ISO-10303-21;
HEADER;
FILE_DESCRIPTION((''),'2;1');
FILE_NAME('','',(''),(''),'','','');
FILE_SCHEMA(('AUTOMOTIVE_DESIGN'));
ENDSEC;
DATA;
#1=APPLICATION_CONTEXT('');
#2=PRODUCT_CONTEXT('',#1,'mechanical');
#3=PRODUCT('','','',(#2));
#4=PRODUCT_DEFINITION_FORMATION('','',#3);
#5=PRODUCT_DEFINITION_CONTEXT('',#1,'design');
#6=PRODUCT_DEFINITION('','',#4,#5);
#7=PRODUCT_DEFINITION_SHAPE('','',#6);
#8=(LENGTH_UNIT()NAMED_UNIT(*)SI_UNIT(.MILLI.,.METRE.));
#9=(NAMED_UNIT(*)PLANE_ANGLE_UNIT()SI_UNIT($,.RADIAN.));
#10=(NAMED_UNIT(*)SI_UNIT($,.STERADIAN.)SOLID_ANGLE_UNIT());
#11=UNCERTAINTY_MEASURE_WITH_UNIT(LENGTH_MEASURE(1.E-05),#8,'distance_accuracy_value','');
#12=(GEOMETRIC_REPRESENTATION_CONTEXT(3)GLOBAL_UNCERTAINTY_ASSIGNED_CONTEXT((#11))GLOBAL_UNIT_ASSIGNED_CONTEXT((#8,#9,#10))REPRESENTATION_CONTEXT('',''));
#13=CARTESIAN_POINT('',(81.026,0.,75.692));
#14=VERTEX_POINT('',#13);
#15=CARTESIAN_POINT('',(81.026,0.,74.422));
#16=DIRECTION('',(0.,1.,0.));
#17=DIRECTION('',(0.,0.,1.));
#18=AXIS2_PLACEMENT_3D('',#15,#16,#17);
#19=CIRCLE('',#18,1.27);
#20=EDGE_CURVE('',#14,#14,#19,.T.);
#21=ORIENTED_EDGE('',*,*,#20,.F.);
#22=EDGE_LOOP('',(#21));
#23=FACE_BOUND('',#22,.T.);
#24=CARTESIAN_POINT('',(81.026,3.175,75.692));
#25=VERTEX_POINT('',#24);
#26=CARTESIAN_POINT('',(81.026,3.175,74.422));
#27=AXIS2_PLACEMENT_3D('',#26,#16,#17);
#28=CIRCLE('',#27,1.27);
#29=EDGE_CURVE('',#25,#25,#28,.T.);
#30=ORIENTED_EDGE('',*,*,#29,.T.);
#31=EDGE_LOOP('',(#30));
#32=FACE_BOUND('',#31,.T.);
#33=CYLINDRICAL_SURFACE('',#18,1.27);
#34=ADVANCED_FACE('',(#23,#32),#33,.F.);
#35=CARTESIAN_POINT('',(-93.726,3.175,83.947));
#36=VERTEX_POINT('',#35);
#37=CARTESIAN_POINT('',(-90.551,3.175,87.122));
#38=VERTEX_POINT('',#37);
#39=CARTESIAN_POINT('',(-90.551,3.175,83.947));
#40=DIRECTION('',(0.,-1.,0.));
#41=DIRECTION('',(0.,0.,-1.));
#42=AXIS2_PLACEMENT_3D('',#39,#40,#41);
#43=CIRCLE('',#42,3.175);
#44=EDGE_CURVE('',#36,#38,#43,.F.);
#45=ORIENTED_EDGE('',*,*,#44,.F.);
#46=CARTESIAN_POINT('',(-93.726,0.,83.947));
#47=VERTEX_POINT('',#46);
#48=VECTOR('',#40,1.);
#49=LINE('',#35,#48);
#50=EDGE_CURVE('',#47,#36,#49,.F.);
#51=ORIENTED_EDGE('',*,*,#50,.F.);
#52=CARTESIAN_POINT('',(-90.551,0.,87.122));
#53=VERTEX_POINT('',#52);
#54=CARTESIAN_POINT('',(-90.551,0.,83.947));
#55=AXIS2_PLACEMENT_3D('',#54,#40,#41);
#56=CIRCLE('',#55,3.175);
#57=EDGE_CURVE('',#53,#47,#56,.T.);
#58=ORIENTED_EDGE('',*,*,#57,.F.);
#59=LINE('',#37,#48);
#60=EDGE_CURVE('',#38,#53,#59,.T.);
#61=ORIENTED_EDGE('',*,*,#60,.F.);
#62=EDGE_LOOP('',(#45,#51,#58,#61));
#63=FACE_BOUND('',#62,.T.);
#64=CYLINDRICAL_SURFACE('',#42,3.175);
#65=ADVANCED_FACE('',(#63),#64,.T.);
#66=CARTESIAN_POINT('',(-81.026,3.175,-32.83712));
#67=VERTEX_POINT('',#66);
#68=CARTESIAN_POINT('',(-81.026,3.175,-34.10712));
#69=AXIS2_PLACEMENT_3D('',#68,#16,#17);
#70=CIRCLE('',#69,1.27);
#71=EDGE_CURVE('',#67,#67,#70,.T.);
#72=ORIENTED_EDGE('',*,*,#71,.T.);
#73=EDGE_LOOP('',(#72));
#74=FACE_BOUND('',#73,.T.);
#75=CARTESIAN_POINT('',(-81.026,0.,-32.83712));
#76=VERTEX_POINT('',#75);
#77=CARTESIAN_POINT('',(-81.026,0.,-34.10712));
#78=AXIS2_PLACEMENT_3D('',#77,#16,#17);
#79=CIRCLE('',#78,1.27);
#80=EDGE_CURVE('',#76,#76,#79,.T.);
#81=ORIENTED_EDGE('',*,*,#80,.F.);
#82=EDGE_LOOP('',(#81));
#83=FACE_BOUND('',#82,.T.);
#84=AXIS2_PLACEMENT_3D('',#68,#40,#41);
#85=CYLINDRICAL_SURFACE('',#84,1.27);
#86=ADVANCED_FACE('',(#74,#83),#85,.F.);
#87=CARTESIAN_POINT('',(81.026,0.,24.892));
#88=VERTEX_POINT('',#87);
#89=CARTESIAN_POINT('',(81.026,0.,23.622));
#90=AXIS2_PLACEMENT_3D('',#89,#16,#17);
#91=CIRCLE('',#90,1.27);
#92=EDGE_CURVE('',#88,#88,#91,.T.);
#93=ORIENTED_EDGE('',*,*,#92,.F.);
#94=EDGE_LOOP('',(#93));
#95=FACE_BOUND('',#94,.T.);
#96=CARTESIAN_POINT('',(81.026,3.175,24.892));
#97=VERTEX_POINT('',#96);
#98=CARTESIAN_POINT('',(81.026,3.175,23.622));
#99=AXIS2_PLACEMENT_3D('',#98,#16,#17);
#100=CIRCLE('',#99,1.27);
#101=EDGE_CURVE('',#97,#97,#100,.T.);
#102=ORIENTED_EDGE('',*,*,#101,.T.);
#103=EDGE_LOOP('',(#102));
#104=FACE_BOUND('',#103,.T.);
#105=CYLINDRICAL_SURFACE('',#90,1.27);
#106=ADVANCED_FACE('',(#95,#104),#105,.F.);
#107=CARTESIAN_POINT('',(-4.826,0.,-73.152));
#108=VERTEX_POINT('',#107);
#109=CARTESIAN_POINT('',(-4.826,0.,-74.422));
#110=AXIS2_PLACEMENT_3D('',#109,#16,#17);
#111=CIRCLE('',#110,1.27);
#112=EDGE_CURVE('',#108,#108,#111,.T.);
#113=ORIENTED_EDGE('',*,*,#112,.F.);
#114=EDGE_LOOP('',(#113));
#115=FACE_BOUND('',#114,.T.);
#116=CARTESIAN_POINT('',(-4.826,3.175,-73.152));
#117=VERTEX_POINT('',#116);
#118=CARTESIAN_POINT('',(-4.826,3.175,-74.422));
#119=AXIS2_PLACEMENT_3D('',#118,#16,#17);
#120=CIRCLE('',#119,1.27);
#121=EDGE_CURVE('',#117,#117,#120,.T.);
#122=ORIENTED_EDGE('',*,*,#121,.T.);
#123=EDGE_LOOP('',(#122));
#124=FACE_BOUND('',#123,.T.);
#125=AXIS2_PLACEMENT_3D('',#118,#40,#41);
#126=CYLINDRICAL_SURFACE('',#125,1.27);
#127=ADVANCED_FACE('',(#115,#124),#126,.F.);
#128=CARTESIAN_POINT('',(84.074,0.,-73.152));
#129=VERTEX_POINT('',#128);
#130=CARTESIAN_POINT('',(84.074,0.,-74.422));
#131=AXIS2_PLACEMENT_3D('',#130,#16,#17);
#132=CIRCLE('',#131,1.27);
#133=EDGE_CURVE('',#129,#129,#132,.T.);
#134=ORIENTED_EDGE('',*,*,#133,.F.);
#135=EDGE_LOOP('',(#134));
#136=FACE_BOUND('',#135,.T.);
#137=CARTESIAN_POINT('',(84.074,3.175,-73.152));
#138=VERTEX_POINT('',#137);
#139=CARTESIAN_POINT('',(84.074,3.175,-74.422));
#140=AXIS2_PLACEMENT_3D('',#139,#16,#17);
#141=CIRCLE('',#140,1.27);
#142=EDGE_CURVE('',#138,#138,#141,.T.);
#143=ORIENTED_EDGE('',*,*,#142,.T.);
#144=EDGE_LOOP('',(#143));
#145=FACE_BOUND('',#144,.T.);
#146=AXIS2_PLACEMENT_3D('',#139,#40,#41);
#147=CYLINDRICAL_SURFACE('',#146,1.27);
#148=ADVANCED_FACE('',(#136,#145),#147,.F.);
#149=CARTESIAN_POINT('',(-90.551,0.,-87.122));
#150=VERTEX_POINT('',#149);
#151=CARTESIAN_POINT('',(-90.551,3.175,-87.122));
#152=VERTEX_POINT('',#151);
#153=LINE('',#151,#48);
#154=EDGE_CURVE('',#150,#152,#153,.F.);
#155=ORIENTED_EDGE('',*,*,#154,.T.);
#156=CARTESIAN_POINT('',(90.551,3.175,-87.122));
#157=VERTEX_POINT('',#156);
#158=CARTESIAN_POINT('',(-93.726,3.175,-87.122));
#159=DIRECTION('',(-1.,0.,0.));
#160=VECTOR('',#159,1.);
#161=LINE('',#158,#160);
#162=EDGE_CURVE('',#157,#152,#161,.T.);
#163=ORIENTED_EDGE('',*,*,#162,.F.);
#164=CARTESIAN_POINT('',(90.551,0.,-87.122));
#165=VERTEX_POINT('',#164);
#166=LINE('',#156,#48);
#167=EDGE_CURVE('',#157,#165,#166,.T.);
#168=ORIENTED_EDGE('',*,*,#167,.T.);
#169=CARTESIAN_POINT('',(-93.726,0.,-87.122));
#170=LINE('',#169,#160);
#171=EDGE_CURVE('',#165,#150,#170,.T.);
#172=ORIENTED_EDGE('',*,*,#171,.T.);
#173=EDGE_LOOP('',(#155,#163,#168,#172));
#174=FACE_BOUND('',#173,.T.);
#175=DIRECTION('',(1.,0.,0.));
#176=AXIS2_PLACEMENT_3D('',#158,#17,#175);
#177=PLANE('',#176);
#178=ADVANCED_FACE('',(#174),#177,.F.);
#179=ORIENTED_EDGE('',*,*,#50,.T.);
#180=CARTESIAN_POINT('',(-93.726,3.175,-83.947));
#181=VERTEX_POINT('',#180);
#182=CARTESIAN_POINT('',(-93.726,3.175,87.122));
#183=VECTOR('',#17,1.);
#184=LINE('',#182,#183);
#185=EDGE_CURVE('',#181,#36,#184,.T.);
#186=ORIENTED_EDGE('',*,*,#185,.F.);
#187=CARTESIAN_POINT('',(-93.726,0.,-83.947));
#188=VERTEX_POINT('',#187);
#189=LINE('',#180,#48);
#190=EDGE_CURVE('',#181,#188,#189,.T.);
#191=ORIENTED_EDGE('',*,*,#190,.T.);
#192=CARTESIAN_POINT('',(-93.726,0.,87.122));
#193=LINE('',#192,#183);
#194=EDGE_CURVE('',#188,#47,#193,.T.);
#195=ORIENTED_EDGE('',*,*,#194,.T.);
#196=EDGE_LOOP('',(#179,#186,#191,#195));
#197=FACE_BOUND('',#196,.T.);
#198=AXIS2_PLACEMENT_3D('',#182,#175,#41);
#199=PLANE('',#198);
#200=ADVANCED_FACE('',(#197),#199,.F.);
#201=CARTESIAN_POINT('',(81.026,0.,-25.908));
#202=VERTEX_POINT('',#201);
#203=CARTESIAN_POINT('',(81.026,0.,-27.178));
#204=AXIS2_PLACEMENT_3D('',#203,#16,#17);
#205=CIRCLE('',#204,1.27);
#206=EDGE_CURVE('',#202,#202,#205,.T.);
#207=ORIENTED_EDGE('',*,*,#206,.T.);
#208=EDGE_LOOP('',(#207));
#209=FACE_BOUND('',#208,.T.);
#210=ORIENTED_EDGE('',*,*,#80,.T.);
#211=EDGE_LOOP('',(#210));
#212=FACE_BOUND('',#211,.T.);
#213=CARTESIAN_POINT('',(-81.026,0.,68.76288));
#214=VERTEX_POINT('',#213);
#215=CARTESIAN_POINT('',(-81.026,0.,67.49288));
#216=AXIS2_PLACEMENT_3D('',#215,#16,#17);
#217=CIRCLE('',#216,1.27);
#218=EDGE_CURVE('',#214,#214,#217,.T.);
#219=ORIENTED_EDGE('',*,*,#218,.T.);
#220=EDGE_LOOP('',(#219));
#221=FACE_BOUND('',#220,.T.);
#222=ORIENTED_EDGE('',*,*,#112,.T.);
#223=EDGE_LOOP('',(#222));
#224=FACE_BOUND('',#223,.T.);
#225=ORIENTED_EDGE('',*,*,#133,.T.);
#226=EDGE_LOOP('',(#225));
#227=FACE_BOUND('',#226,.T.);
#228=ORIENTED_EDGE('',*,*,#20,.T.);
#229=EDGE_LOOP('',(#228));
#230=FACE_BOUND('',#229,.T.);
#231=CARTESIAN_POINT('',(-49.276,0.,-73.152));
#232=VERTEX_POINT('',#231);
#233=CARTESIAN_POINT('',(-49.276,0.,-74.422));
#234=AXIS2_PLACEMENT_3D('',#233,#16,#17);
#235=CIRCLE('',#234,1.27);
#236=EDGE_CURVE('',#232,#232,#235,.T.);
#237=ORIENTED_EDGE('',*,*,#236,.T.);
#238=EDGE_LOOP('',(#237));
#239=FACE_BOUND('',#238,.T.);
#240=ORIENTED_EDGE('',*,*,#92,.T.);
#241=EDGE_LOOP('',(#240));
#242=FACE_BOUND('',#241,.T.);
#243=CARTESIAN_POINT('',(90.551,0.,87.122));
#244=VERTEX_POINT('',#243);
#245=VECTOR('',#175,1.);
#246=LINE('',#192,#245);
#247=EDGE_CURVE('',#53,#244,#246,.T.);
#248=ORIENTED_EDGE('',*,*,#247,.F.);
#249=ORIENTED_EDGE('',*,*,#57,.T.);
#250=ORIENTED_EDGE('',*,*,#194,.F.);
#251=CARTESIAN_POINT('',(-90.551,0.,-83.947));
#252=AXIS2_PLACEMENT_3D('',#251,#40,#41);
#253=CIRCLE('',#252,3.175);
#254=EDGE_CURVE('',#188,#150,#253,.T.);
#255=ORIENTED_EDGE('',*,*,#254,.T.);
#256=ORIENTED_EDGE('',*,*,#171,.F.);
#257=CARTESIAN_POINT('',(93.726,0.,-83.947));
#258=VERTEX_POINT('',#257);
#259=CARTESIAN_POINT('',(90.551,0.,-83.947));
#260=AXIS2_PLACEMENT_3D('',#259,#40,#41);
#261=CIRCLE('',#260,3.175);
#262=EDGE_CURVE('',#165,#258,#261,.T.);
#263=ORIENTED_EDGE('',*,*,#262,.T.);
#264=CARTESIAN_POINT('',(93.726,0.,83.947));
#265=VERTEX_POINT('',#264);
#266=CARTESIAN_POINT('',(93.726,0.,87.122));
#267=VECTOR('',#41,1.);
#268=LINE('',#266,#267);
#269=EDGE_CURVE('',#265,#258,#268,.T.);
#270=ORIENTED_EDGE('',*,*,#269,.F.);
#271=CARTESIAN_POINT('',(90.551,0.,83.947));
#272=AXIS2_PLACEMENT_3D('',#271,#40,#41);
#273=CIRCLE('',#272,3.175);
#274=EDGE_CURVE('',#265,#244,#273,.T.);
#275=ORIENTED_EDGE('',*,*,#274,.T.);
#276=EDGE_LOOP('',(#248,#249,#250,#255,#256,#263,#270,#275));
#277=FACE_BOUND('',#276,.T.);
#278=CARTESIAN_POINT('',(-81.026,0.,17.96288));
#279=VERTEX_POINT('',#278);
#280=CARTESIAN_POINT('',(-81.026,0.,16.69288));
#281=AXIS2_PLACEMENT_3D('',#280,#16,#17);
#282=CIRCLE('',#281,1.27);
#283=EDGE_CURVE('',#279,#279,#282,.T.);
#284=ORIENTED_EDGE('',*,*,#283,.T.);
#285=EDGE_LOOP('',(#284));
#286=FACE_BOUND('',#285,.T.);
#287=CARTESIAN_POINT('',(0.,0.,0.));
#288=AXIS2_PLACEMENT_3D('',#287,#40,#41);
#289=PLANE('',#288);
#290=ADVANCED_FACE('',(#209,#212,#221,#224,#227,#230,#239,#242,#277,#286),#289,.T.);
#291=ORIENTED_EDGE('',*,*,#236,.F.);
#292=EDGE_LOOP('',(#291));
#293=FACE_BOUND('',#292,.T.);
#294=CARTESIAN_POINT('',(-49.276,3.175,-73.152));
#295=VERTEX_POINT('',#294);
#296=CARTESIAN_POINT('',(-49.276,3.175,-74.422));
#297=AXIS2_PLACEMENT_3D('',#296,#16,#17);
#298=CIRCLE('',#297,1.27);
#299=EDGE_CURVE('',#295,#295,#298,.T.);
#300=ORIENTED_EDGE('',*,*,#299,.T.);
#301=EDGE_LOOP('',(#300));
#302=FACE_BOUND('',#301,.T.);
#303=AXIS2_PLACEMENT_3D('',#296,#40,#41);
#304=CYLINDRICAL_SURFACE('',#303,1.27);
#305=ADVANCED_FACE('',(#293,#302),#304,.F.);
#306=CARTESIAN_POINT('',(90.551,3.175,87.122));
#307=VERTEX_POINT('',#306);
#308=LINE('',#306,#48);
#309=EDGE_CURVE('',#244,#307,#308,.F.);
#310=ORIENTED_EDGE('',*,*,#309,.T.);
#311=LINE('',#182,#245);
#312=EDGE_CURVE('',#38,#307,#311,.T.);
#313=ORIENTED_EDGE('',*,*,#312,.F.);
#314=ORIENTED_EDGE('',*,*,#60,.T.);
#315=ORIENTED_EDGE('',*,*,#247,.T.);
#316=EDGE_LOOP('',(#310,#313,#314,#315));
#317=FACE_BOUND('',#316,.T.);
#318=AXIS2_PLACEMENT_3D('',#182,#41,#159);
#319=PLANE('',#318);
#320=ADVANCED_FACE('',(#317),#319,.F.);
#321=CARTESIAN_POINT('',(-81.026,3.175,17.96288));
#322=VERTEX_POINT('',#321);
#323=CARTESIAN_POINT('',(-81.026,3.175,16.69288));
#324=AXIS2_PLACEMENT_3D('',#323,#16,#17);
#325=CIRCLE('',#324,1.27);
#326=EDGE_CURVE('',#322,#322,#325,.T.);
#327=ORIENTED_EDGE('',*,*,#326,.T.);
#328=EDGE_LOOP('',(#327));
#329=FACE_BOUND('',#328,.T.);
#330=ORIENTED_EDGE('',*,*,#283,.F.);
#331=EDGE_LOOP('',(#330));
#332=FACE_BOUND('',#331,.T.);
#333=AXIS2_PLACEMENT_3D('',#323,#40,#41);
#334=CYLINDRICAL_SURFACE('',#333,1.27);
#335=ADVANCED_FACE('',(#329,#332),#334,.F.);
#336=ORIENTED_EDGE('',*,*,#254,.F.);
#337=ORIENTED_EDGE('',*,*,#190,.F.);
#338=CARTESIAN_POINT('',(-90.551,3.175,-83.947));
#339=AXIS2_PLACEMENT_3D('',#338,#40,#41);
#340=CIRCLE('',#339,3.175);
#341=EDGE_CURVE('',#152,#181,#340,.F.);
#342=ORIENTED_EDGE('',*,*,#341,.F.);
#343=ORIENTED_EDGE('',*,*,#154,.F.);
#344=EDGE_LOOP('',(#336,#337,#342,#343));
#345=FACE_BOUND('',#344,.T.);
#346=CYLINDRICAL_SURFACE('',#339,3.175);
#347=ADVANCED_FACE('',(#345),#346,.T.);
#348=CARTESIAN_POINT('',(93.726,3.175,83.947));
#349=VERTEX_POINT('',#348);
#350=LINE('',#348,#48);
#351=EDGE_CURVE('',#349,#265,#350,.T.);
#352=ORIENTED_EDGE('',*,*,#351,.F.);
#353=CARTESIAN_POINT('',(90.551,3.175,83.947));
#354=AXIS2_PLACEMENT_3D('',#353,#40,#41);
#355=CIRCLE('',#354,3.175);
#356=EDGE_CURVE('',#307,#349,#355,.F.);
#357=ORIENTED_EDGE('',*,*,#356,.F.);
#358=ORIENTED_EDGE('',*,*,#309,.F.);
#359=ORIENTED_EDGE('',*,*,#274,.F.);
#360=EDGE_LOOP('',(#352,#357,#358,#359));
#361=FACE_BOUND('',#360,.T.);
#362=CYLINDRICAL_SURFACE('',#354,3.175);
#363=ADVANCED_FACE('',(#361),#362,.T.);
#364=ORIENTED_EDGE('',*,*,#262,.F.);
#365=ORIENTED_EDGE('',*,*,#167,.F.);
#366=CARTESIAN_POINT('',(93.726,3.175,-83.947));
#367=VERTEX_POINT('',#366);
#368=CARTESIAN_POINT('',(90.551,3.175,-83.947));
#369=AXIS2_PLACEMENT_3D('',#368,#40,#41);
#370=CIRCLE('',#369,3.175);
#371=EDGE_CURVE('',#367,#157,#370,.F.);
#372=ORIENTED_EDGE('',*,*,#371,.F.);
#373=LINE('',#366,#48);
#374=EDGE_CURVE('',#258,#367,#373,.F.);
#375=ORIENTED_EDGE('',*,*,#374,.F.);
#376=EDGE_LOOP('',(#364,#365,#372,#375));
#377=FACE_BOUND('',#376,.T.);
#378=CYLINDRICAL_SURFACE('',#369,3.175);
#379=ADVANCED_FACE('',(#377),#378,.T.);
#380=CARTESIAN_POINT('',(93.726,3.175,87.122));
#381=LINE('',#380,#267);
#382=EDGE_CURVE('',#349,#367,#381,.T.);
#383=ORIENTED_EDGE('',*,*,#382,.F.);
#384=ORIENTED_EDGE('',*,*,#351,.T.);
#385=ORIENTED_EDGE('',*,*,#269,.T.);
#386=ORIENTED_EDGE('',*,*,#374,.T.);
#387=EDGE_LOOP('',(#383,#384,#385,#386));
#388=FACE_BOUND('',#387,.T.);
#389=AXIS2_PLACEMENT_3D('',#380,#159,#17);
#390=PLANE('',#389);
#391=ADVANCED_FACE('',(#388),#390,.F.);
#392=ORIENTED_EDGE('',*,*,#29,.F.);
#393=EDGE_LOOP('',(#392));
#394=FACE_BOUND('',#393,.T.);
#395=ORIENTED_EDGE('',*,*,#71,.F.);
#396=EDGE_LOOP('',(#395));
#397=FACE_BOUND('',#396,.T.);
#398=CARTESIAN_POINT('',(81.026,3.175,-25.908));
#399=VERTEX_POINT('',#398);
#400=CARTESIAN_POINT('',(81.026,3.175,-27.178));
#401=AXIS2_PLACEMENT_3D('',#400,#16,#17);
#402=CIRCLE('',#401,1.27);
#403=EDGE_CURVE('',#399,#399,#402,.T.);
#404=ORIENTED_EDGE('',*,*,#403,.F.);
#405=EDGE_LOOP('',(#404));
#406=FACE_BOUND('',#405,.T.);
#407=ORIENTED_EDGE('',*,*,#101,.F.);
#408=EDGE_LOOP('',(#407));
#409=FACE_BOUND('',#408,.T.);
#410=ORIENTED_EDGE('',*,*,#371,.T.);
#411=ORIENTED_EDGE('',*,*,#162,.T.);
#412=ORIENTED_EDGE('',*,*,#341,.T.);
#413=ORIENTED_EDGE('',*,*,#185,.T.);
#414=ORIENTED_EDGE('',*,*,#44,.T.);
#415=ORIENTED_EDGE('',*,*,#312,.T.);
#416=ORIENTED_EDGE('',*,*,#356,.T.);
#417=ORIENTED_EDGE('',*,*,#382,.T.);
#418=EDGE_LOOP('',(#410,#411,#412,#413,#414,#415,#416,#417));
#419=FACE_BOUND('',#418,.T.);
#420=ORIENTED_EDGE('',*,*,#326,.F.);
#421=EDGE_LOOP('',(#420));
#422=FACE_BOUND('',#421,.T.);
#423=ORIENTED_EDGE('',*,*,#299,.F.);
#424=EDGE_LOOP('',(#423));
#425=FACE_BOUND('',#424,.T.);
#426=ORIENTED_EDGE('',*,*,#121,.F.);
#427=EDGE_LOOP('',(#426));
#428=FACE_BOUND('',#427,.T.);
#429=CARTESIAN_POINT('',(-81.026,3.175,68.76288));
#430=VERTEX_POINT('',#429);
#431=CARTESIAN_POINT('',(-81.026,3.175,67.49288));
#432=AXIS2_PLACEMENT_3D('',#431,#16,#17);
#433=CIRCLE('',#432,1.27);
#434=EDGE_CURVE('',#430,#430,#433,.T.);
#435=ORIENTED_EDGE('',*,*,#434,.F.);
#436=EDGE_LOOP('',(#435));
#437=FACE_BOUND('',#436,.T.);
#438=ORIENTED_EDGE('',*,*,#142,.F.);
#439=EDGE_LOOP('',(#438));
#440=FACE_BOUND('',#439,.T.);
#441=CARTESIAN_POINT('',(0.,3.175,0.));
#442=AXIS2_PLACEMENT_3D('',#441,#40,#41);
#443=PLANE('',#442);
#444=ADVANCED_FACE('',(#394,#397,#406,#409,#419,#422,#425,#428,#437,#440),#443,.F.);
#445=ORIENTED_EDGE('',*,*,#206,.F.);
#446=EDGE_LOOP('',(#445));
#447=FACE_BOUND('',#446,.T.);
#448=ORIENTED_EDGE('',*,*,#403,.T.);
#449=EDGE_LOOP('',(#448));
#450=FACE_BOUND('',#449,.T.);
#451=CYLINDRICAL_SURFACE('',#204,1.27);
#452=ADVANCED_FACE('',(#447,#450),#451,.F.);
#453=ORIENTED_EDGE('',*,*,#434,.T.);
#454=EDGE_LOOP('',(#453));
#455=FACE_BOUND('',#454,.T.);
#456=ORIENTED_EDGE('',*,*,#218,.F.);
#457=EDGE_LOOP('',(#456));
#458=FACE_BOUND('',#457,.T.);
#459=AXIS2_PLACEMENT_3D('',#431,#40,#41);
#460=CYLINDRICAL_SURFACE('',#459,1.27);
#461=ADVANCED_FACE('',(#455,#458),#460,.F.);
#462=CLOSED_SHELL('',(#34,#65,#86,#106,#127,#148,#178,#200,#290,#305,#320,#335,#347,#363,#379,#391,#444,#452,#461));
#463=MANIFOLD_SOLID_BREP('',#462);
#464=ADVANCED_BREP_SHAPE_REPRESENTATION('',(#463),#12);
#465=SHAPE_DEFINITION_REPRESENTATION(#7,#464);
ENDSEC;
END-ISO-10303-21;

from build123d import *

# Parameters (mm, degrees)
SKETCH1_W           = 187.452
SKETCH1_H           = 174.244
SKETCH1_R           = 1.27
BOSS_EXTRUDE1_DEPTH = 3.175
SKETCH2_R           = 1.27
CUT_EXTRUDE3_DEPTH  = 129.003463176
FILLET1_R           = 3.175


with BuildPart() as part:
    # Sketch1 → Boss-Extrude1 (new body)
    with BuildSketch(Plane(origin=(0, 0, 0), x_dir=(1, 0, 0), z_dir=(0, 1, 0))):
        Rectangle(SKETCH1_W, SKETCH1_H)
        with Locations(Location((-81.026, -67.49288, 0), (0, 0, 270))):
            Circle(SKETCH1_R, mode=Mode.SUBTRACT)
        with Locations(Location((-81.026, -16.69288, 0), (0, 0, 270))):
            Circle(SKETCH1_R, mode=Mode.SUBTRACT)
        with Locations(Location((-81.026, 34.10712, 0), (0, 0, 270))):
            Circle(SKETCH1_R, mode=Mode.SUBTRACT)
        with Locations(Location((-4.826, 74.422, 0), (0, 0, 270))):
            Circle(SKETCH1_R, mode=Mode.SUBTRACT)
        with Locations(Location((84.074, 74.422, 0), (0, 0, 270))):
            Circle(SKETCH1_R, mode=Mode.SUBTRACT)
        with Locations(Location((-49.276, 74.422, 0), (0, 0, 270))):
            Circle(SKETCH1_R, mode=Mode.SUBTRACT)
    extrude(amount=BOSS_EXTRUDE1_DEPTH)

    # Sketch2 → Cut-Extrude3 (cut, through all)
    with BuildSketch(Plane(origin=(0, 3.175, 0), x_dir=(1, 0, 0), z_dir=(0, 1, 0))):
        with Locations(Location((81.026, -74.422, 0), (0, 0, 270))):
            Circle(SKETCH2_R)
        with Locations(Location((81.026, -23.622, 0), (0, 0, 270))):
            Circle(SKETCH2_R)
        with Locations(Location((81.026, 27.178, 0), (0, 0, 270))):
            Circle(SKETCH2_R)
    extrude(amount=-CUT_EXTRUDE3_DEPTH, mode=Mode.SUBTRACT)

    # Fillet1
    fillet1_edges = [part.edges().sort_by_distance(p)[0] for p in [
        (93.726, 1.5875, 87.122),
        (-93.726, 1.5875, 87.122),
        (-93.726, 1.5875, -87.122),
        (93.726, 1.5875, -87.122),
    ]]
    fillet(fillet1_edges, radius=FILLET1_R)


solid = part.part
